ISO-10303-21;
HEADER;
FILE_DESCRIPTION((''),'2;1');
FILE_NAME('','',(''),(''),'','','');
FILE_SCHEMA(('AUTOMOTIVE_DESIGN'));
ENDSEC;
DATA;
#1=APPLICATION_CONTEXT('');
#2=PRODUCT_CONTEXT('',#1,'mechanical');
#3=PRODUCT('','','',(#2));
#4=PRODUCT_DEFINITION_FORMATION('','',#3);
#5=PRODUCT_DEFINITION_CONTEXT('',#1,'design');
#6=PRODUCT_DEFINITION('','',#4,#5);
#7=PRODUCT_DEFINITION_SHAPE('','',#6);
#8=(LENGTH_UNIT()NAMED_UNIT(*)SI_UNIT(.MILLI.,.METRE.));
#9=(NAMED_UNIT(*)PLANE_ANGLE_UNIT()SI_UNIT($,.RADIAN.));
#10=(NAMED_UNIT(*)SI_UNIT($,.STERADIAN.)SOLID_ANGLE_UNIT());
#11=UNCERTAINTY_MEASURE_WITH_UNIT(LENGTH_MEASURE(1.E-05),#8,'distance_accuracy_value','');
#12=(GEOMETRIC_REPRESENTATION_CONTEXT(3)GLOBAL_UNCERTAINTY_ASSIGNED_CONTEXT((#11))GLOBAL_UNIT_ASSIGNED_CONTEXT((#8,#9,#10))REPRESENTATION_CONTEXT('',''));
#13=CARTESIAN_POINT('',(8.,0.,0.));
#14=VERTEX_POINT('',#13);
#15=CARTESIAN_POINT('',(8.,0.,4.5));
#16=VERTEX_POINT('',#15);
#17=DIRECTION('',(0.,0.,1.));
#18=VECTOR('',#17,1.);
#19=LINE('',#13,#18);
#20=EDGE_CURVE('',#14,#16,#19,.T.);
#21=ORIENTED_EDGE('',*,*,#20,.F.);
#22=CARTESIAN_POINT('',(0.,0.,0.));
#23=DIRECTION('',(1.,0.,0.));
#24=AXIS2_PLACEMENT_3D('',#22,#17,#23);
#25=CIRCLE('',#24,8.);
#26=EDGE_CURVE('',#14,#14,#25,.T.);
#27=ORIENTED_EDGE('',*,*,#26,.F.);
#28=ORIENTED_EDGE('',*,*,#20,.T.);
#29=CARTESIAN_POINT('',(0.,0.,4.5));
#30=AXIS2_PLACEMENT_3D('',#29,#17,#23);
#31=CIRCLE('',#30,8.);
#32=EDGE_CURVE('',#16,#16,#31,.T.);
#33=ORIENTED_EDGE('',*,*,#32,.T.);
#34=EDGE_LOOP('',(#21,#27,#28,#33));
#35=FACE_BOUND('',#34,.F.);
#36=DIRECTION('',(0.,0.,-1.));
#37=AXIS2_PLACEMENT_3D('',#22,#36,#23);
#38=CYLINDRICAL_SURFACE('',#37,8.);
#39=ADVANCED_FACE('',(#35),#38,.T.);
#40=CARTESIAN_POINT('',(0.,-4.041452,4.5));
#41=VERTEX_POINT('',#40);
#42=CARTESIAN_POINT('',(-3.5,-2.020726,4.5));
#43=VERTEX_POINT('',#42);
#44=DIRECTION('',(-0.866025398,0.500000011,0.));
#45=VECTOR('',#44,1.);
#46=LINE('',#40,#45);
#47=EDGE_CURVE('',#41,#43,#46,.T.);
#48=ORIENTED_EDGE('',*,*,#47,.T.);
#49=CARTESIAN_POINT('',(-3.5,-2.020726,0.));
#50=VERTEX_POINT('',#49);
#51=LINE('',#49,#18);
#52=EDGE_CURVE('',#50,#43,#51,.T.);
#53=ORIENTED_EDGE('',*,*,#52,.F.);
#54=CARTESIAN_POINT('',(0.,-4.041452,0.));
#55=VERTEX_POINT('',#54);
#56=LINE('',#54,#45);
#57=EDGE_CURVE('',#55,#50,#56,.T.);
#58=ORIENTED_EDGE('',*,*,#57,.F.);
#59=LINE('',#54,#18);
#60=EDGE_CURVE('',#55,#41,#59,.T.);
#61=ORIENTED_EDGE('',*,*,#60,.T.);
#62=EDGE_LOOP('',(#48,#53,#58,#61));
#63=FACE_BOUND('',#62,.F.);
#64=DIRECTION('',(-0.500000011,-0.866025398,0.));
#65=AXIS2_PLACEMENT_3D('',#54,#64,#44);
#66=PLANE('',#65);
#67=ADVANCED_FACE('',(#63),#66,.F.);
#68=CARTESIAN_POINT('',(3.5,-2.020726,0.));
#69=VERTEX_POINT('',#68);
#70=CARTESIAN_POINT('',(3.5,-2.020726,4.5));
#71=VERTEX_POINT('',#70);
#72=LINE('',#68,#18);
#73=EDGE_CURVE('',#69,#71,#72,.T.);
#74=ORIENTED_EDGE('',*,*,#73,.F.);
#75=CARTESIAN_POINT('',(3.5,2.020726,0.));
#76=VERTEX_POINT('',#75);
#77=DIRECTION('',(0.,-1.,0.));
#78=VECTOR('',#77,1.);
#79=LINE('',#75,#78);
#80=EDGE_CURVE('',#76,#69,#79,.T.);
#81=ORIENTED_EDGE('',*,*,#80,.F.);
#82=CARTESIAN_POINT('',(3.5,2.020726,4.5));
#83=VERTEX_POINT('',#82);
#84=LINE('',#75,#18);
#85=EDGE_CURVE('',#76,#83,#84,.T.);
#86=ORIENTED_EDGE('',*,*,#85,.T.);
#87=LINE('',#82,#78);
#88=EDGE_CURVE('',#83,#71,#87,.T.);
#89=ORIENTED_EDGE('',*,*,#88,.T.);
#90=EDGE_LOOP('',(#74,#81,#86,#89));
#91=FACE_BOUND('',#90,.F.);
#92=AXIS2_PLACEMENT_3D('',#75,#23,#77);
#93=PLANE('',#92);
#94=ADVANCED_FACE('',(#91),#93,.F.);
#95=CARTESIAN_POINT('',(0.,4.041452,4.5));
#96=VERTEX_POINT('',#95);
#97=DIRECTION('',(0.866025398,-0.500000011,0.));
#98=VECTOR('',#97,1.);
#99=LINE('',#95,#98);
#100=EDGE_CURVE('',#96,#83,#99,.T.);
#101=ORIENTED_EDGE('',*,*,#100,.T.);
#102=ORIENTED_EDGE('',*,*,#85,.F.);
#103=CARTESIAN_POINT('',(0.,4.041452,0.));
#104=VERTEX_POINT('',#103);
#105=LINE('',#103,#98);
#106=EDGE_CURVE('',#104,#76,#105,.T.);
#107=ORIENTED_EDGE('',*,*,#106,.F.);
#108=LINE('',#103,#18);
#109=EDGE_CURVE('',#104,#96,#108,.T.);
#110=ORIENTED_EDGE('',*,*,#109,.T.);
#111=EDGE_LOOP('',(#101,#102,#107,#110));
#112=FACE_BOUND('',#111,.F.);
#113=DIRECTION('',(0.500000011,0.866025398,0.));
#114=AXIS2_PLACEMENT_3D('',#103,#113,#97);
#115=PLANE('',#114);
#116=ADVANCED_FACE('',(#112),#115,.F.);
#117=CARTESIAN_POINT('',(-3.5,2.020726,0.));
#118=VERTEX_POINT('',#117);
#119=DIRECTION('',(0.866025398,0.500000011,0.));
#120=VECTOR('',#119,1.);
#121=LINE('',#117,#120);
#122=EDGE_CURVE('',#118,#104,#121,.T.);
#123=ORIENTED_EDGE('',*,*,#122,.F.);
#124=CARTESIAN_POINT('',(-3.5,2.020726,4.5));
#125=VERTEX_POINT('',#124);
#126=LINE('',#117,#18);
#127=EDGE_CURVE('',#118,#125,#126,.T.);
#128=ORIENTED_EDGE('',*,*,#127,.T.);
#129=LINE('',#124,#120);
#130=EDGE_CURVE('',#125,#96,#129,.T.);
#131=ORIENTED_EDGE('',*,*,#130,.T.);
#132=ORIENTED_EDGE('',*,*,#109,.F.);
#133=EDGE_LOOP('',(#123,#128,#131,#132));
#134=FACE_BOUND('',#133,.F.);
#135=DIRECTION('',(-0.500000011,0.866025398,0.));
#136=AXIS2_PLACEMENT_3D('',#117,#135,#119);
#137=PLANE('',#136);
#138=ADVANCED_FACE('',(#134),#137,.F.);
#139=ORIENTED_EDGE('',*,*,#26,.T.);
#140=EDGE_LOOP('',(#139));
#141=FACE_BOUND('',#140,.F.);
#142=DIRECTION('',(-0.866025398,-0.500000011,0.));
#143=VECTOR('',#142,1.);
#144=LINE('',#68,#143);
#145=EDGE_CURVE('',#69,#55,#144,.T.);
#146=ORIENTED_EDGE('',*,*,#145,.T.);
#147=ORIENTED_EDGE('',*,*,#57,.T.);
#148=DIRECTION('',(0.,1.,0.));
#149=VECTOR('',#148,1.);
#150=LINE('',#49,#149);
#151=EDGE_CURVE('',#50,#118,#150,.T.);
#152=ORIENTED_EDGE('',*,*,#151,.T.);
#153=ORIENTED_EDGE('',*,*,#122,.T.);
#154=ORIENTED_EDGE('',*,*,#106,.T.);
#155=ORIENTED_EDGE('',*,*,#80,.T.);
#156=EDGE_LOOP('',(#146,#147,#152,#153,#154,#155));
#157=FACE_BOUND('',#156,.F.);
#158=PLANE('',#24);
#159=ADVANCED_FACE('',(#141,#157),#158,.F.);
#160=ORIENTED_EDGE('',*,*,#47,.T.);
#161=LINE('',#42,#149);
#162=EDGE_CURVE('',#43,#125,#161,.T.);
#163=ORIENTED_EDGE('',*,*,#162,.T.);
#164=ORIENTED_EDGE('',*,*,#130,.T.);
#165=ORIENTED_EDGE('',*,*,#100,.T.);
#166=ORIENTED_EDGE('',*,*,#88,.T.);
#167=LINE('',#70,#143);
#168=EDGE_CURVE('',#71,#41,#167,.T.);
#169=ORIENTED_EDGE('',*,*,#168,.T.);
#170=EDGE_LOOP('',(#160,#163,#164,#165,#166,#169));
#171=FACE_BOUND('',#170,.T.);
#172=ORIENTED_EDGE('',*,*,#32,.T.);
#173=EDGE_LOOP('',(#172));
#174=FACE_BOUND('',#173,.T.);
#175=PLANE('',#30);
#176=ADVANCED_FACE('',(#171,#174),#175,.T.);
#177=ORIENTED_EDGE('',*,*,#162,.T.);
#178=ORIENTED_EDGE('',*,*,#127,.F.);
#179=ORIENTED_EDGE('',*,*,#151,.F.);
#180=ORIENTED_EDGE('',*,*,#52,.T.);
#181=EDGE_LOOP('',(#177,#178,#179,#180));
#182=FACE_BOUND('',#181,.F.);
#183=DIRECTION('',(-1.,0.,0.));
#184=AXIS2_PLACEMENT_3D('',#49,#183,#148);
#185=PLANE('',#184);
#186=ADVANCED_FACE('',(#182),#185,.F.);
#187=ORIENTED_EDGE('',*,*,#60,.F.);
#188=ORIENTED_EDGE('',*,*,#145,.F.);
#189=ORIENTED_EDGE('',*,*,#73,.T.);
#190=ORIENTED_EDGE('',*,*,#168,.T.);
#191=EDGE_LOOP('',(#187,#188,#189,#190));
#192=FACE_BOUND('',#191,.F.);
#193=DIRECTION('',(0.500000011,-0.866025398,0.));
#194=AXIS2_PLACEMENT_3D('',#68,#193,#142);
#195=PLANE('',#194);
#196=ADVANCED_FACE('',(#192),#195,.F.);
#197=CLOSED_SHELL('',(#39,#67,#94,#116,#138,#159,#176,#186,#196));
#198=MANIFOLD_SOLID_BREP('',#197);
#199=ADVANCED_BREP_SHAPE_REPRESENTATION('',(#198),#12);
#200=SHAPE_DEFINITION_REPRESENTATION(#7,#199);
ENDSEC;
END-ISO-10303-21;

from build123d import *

# Parameters (mm, degrees)
F0_R     = 8
F1_DEPTH = 4.5


with BuildPart() as f1:
    # F0 (on Top) → F1 (new body)
    with BuildSketch(Plane.XY):
        Circle(F0_R)
        Polygon((3.5, 2.020726), (3.5, 0), (3.5, -2.020726), (1.75, -3.031089), (0, -4.041452), (-1.75, -3.031089), (-3.5, -2.020726), (-3.5, 0), (-3.5, 2.020726), (-1.75, 3.031089), (0, 4.041452), (1.75, 3.031089), align=None, mode=Mode.SUBTRACT)
    extrude(amount=F1_DEPTH)


solid = f1.part
